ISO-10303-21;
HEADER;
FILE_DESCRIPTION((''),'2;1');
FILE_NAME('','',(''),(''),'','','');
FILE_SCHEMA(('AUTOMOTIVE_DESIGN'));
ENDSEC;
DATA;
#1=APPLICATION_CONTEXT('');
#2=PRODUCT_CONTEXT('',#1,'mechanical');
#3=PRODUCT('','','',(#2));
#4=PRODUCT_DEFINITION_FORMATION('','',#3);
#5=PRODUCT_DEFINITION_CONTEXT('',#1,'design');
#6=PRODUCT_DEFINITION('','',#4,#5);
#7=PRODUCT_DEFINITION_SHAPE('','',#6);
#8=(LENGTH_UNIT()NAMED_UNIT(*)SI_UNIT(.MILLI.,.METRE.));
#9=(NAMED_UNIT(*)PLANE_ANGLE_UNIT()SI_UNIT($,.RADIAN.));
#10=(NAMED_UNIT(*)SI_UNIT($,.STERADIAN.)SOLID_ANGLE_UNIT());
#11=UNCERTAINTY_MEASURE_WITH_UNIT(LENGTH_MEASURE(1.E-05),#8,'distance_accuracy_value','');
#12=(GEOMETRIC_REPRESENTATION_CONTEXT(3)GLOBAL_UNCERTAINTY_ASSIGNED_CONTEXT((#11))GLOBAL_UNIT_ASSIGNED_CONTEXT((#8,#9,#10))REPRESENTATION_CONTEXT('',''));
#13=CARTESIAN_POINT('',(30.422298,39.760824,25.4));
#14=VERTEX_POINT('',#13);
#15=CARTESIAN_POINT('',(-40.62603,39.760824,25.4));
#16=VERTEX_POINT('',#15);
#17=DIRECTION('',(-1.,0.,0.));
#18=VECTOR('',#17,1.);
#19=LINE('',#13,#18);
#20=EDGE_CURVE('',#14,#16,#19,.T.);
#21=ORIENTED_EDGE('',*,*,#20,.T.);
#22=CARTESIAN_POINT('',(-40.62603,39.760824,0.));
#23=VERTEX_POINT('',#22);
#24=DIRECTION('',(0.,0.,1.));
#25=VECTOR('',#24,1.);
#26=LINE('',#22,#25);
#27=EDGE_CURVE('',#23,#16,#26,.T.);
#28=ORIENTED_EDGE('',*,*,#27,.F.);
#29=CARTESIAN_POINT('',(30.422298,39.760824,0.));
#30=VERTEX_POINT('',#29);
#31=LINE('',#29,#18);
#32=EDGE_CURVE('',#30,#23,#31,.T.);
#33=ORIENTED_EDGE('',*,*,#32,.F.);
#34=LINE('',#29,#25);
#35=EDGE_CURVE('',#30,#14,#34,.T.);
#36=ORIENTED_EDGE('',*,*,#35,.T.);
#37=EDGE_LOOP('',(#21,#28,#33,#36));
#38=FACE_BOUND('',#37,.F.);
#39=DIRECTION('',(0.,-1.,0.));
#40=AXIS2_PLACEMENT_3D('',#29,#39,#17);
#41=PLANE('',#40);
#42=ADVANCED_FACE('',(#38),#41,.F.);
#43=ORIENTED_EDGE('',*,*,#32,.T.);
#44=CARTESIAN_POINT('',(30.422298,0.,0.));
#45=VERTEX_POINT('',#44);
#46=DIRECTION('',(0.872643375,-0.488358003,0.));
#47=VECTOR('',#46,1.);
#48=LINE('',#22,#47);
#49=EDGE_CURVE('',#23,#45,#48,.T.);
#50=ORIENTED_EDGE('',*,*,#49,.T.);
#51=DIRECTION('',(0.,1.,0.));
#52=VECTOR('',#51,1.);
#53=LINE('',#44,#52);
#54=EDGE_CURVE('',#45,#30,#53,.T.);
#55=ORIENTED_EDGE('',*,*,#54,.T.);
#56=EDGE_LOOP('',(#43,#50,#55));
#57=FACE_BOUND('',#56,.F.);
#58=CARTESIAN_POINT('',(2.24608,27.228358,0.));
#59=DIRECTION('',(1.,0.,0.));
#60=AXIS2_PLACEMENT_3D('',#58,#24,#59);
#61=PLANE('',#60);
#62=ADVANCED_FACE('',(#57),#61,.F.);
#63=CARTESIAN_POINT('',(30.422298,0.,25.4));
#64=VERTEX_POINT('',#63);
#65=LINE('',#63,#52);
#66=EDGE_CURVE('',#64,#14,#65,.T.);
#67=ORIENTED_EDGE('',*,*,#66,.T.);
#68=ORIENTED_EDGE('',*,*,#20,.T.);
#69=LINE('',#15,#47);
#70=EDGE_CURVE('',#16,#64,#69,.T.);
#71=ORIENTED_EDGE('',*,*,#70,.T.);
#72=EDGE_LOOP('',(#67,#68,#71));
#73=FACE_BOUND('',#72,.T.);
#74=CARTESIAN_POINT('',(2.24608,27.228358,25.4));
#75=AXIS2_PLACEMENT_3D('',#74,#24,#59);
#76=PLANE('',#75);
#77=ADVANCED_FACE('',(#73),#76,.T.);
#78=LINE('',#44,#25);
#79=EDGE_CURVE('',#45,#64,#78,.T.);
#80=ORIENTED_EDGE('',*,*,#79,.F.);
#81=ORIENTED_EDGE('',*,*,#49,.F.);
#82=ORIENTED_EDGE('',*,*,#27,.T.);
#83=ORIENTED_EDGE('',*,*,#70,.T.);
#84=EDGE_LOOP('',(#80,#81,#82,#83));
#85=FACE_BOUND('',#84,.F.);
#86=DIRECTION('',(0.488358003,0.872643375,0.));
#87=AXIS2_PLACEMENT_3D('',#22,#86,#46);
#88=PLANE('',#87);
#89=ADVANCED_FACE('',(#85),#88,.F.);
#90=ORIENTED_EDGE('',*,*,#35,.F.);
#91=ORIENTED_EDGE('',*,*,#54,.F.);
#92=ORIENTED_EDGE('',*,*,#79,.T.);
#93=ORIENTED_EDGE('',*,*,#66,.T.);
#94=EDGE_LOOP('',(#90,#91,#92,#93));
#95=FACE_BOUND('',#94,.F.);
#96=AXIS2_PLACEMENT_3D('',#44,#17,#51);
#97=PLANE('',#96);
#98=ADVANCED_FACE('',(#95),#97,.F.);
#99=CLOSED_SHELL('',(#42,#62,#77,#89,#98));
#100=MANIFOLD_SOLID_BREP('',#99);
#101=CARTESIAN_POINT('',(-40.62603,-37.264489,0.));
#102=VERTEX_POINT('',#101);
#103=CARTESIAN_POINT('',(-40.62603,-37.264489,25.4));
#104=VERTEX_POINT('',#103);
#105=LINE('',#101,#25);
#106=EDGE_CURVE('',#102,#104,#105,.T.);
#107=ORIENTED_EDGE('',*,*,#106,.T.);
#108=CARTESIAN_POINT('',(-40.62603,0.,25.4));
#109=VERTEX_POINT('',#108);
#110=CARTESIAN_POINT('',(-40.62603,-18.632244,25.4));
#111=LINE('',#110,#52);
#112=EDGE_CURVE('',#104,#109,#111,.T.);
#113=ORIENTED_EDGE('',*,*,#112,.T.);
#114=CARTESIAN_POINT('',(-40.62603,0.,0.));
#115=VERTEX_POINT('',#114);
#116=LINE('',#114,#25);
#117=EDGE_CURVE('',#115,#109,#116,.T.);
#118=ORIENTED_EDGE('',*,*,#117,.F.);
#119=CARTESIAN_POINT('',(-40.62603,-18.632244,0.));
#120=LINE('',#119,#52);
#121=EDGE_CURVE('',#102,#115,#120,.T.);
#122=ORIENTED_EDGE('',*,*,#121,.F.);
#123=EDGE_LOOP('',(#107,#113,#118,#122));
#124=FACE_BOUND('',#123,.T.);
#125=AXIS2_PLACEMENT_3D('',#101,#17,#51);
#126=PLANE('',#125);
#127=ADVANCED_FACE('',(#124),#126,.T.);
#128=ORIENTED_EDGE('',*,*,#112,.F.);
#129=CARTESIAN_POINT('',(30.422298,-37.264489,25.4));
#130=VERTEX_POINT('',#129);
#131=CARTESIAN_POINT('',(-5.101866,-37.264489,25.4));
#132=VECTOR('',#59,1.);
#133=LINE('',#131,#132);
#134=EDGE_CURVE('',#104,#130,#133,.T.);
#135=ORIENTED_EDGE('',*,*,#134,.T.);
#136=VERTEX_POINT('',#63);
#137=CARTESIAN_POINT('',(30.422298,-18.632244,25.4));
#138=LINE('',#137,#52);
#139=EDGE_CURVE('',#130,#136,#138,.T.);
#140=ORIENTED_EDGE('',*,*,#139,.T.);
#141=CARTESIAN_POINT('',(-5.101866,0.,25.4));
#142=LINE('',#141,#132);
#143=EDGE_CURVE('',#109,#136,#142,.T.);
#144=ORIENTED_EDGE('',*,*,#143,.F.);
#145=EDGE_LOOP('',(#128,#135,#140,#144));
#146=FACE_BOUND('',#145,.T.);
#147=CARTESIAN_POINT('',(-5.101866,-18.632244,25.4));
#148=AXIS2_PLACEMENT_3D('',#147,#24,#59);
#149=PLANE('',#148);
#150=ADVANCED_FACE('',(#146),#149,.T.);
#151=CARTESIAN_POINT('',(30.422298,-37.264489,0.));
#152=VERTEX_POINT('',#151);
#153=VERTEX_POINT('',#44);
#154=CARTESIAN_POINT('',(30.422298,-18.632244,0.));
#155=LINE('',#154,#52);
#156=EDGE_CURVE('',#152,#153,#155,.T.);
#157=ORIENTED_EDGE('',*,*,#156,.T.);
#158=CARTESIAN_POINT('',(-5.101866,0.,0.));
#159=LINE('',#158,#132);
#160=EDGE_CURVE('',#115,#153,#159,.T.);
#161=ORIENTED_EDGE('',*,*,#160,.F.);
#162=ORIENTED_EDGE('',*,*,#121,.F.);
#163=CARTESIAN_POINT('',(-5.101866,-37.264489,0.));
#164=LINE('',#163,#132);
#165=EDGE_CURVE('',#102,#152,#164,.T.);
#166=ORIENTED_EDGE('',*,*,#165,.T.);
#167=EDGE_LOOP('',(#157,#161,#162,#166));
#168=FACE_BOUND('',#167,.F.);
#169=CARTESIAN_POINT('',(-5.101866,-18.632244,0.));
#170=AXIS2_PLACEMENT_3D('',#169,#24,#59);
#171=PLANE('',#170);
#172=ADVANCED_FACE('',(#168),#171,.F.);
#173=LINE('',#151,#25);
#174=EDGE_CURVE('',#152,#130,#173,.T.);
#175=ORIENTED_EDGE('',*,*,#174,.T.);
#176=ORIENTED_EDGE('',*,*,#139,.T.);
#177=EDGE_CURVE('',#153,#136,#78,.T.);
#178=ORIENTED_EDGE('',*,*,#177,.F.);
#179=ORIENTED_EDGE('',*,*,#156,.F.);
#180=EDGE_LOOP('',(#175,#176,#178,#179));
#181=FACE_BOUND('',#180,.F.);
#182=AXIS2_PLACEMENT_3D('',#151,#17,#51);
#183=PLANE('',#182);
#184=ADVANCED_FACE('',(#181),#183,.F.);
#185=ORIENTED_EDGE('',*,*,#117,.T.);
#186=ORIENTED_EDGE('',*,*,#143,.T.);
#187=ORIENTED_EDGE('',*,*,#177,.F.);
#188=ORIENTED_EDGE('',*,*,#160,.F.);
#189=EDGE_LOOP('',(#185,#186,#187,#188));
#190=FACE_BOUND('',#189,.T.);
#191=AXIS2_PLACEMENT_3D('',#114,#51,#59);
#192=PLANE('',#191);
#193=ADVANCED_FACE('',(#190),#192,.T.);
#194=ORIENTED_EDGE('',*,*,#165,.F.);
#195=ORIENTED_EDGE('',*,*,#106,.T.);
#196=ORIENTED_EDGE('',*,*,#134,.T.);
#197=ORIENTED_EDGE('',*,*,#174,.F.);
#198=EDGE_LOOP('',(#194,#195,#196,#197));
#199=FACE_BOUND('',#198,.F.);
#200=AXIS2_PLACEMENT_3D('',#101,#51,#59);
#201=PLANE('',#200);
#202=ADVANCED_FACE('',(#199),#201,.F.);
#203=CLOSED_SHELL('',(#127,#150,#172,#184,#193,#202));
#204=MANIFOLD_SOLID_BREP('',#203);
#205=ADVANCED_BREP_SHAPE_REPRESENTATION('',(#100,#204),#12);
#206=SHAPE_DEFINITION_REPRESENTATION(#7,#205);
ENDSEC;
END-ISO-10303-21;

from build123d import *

# Parameters (mm, degrees)
F0_W     = 71.048328653
F0_H     = 37.2644886374
F1_DEPTH = 25.4


with BuildPart() as f1:
    # F0 (on Top) → F1 (new body)
    with BuildSketch(Plane.XY):
        with Locations((-5.1018660888, -18.6322443187)):
            Rectangle(F0_W, F0_H)
    extrude(amount=F1_DEPTH)


with BuildPart() as f1b:
    # F0 (on Top) → F1, piece 2 (new body)
    with BuildSketch(Plane.XY):
        Polygon((-40.6260304153, 39.7608242929), (30.4222982377, 0), (30.4222982377, 39.7608242929), align=None)
    extrude(amount=F1_DEPTH)


solid = Compound([f1.part, f1b.part])
